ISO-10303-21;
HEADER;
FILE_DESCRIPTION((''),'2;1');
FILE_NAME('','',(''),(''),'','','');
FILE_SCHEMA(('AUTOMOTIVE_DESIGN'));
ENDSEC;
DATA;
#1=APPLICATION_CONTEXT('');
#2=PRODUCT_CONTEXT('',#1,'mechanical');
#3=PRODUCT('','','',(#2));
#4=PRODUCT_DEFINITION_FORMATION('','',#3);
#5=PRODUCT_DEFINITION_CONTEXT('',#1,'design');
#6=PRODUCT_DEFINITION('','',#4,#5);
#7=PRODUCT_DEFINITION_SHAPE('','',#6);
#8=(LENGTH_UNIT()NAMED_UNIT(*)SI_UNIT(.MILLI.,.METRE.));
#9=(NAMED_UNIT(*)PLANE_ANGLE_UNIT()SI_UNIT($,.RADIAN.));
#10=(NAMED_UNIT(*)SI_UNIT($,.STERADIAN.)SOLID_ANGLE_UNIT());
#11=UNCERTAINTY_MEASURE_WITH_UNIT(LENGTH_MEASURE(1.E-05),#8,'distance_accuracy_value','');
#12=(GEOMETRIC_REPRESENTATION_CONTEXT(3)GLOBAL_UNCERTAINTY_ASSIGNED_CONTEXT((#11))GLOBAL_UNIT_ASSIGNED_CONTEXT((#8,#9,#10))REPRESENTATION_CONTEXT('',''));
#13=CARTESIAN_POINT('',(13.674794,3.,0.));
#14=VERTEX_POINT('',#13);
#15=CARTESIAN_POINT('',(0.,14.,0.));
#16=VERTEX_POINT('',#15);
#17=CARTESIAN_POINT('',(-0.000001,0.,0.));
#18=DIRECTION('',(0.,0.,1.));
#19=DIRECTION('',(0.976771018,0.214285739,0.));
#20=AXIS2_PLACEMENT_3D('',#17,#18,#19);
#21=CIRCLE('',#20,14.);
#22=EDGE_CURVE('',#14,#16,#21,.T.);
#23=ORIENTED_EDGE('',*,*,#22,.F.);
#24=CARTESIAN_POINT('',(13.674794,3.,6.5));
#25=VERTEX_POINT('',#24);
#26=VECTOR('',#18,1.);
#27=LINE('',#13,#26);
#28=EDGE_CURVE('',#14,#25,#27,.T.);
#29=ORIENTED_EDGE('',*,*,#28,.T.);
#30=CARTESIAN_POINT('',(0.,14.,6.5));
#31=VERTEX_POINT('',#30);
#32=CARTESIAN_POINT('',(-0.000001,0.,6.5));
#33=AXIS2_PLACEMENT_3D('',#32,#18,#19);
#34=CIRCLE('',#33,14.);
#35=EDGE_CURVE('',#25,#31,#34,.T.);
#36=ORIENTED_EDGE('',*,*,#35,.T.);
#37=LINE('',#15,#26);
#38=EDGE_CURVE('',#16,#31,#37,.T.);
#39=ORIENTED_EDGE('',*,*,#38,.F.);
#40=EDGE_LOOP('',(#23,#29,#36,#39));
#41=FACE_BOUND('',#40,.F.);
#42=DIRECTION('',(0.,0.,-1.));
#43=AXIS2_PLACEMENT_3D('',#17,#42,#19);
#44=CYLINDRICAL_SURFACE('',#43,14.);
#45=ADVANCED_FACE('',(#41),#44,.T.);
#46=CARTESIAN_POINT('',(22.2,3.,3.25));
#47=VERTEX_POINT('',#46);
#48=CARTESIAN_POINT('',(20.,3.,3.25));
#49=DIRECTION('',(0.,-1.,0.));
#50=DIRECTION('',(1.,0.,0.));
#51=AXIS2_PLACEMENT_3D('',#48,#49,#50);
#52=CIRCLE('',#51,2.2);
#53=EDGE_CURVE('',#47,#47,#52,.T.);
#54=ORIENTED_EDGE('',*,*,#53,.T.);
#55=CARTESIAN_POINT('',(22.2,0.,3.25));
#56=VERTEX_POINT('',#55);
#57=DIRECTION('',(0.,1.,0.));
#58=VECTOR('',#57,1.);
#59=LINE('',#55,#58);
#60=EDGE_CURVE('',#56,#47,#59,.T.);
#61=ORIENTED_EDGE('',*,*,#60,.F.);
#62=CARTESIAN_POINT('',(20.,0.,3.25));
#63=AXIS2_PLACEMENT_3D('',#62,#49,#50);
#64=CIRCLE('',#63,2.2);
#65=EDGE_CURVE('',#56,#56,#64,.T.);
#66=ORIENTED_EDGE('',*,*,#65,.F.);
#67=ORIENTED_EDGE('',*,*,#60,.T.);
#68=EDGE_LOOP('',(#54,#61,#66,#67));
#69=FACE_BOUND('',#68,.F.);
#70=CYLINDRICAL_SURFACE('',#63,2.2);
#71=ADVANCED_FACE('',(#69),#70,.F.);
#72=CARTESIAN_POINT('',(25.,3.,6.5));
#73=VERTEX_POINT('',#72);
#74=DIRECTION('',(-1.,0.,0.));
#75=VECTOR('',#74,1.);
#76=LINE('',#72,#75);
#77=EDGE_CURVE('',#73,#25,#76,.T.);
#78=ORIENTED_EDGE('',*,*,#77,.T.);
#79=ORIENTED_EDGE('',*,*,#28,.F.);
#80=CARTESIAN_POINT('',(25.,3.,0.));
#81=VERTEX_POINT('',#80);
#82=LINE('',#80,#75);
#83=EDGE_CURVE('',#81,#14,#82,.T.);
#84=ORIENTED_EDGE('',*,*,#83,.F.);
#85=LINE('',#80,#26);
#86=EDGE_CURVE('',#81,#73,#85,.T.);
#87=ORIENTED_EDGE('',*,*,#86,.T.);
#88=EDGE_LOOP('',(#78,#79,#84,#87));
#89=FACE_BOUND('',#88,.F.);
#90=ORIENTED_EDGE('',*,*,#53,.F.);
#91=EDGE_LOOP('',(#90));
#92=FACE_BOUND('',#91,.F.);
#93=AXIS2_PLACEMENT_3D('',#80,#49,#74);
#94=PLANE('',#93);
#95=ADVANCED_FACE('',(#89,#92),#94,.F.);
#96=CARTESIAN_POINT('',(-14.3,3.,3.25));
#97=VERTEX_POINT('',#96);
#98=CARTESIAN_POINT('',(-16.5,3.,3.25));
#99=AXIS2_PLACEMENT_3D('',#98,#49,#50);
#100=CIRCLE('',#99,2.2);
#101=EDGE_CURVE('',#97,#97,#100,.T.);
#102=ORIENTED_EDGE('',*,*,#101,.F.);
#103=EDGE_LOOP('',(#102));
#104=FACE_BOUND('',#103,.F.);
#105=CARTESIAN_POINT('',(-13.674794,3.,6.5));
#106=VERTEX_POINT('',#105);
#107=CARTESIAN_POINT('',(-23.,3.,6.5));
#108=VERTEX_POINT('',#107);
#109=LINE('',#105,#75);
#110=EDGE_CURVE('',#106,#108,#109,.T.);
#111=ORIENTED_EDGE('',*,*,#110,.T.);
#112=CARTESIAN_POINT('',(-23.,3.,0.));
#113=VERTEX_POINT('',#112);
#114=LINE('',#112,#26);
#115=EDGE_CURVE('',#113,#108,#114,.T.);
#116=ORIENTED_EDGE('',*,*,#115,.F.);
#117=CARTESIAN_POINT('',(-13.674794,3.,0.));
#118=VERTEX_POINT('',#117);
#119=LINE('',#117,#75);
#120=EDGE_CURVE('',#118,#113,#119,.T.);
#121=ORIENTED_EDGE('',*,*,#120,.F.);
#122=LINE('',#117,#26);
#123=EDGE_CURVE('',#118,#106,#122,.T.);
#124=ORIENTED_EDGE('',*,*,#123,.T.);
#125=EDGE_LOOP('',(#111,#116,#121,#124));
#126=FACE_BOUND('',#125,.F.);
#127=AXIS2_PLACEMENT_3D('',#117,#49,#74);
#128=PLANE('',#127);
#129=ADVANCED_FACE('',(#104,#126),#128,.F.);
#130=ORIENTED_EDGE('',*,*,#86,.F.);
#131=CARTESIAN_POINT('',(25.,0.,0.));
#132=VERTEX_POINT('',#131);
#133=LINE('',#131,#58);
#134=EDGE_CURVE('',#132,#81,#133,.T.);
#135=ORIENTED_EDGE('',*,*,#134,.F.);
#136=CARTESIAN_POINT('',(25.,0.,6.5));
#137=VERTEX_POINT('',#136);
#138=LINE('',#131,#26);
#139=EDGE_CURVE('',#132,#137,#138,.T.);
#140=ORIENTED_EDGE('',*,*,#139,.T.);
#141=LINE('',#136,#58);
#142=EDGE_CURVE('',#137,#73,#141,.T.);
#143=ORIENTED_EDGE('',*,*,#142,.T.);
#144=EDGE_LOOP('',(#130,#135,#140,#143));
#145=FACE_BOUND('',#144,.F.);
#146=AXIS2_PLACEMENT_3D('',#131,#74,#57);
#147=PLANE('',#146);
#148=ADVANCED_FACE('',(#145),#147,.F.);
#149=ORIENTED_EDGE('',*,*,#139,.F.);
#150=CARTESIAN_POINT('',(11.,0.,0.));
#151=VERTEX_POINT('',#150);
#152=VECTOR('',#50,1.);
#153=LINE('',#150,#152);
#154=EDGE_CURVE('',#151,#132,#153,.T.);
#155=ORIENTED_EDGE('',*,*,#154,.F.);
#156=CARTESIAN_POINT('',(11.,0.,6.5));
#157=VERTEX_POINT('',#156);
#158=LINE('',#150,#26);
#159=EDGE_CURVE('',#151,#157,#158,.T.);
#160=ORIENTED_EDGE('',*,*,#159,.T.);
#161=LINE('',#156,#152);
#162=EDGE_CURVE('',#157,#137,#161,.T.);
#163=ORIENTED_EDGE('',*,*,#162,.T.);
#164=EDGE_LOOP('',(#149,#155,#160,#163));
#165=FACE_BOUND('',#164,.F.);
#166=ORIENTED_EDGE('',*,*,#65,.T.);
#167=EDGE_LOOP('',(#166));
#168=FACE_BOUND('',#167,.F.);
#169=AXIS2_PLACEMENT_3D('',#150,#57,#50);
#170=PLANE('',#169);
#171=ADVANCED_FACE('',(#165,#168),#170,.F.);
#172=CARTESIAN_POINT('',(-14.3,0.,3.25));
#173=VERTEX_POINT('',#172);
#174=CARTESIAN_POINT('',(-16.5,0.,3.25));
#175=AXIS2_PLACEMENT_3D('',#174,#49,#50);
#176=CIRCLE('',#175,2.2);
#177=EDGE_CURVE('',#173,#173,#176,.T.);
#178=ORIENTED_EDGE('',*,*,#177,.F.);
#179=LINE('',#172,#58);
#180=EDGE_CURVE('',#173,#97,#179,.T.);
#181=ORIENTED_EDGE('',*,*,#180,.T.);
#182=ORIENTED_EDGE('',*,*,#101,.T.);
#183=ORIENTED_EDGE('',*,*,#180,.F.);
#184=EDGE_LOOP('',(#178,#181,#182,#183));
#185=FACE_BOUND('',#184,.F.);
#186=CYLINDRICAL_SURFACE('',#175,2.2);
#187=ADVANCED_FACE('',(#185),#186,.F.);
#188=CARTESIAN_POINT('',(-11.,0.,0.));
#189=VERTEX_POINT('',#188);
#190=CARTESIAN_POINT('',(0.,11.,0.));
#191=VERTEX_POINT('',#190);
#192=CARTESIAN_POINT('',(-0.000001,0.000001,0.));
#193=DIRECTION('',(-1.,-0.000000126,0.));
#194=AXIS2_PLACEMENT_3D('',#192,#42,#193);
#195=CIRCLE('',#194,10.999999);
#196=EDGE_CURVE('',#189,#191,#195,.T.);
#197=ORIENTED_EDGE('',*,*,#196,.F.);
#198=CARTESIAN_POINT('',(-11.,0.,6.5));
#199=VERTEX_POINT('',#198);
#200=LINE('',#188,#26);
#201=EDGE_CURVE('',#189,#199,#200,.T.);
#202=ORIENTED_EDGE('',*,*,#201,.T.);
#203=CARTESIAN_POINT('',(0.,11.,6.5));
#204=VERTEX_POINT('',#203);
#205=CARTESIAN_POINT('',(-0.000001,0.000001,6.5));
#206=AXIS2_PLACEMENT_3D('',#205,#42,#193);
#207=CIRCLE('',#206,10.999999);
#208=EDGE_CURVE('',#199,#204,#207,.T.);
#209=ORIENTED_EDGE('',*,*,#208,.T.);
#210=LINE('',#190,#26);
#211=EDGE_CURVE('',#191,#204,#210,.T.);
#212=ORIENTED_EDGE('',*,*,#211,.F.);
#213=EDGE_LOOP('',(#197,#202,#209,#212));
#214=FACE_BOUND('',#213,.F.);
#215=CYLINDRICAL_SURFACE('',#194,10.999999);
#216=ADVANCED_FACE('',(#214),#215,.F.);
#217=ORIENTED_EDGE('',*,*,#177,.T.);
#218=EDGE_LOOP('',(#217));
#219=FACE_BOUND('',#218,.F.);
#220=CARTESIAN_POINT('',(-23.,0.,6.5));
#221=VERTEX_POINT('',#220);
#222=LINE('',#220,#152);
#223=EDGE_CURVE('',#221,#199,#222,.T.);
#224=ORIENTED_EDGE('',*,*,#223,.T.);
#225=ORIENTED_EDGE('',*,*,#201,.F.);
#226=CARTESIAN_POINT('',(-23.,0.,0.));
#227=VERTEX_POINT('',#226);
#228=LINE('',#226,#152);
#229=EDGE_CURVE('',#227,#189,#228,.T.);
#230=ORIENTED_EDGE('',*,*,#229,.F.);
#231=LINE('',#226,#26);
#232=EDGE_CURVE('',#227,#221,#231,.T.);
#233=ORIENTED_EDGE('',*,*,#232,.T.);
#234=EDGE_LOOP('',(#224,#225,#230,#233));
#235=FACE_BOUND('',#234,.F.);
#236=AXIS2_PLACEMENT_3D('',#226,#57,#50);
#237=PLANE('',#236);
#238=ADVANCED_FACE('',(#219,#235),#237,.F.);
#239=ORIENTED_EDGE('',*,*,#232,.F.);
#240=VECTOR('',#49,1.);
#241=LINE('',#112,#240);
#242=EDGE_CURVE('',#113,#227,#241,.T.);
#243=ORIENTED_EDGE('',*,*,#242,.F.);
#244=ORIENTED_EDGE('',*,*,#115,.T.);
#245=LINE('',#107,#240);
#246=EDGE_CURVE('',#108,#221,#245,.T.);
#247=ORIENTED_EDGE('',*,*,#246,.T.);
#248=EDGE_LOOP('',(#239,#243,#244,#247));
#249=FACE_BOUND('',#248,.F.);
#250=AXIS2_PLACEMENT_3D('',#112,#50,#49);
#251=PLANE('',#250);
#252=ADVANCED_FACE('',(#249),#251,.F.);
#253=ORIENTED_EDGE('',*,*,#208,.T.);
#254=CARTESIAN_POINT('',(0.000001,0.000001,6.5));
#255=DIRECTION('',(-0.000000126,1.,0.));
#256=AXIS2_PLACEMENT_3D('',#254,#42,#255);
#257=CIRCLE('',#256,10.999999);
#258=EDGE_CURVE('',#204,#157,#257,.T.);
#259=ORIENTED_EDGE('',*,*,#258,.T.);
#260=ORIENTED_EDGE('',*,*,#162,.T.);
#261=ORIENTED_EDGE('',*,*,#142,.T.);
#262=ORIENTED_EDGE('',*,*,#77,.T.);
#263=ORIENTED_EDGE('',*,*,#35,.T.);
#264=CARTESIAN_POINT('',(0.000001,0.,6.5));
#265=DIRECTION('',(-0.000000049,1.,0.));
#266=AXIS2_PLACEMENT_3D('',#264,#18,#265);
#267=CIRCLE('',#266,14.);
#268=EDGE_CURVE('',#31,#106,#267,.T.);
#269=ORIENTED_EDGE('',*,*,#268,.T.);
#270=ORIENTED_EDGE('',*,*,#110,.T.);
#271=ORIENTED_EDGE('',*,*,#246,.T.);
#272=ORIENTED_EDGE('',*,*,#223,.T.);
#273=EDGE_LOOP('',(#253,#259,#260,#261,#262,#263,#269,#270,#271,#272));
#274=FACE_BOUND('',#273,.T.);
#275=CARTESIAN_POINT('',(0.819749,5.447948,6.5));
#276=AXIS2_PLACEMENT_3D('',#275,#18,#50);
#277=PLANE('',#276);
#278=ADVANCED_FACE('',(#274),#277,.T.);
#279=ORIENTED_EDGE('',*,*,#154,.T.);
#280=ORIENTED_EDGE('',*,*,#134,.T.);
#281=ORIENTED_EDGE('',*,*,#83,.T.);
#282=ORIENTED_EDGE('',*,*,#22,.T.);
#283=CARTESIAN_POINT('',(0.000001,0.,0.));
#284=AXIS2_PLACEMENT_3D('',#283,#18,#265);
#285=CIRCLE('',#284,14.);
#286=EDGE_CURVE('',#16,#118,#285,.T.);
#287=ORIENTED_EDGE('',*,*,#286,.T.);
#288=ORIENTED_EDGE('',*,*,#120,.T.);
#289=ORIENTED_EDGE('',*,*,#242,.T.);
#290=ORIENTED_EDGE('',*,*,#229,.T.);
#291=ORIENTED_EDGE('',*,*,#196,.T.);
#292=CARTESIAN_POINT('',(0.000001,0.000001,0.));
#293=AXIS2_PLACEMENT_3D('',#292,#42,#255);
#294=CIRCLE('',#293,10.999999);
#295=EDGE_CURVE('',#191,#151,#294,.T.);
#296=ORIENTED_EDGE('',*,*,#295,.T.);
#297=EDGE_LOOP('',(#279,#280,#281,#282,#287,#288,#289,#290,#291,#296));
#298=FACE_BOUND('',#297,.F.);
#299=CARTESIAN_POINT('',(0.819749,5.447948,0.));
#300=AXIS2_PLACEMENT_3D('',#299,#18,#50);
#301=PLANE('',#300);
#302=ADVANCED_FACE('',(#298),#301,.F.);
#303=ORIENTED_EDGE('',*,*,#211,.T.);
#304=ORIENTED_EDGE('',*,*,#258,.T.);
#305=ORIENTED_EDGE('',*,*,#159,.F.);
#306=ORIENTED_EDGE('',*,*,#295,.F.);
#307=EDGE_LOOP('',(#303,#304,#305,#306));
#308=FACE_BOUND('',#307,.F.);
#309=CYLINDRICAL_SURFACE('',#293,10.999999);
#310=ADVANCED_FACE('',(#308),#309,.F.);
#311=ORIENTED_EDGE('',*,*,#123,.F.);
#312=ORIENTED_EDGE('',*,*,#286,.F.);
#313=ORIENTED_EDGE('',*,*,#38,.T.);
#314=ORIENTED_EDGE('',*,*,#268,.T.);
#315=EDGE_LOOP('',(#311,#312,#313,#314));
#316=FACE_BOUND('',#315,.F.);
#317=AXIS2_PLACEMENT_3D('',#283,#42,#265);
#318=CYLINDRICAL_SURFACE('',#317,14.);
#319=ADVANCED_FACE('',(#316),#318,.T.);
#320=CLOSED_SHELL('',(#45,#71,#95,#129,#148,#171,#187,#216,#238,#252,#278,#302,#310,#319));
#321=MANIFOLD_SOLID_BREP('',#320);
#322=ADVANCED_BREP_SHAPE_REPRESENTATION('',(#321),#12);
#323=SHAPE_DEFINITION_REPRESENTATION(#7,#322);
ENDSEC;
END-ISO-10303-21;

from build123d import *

# Parameters (mm, degrees)
F1_DEPTH = 6.5
F2_R     = 2.2
F3_DEPTH = 25


with BuildPart() as f1:
    # F0 (on Top) → F1 (new body)
    with BuildSketch(Plane.XY):
        with BuildLine():
            ThreePointArc((0, 11), (7.778175, 7.778175), (11, 0))
            Line((11, 0), (23, 0))
            Line((23, 0), (25, 0))
            Line((25, 0), (25, 3))
            Line((25, 3), (23, 3))
            Line((23, 3), (13.674794, 3))
            ThreePointArc((13.674794, 3), (8.774964, 10.908712), (0, 14))
            ThreePointArc((0, 14), (-8.774964, 10.908712), (-13.674794, 3))
            Line((-13.674794, 3), (-23, 3))
            Line((-23, 3), (-23, 0))
            Line((-23, 0), (-11, 0))
            ThreePointArc((-11, 0), (-7.778175, 7.778175), (0, 11))
        make_face()
    extrude(amount=F1_DEPTH)

    # F2 (on face) → F3 (cut)
    with BuildSketch(Plane.XZ):
        with Locations((-16.5, 3.25)):
            Circle(F2_R)
        with Locations((20, 3.25)):
            Circle(F2_R)
    extrude(amount=-F3_DEPTH, mode=Mode.SUBTRACT)


solid = f1.part
